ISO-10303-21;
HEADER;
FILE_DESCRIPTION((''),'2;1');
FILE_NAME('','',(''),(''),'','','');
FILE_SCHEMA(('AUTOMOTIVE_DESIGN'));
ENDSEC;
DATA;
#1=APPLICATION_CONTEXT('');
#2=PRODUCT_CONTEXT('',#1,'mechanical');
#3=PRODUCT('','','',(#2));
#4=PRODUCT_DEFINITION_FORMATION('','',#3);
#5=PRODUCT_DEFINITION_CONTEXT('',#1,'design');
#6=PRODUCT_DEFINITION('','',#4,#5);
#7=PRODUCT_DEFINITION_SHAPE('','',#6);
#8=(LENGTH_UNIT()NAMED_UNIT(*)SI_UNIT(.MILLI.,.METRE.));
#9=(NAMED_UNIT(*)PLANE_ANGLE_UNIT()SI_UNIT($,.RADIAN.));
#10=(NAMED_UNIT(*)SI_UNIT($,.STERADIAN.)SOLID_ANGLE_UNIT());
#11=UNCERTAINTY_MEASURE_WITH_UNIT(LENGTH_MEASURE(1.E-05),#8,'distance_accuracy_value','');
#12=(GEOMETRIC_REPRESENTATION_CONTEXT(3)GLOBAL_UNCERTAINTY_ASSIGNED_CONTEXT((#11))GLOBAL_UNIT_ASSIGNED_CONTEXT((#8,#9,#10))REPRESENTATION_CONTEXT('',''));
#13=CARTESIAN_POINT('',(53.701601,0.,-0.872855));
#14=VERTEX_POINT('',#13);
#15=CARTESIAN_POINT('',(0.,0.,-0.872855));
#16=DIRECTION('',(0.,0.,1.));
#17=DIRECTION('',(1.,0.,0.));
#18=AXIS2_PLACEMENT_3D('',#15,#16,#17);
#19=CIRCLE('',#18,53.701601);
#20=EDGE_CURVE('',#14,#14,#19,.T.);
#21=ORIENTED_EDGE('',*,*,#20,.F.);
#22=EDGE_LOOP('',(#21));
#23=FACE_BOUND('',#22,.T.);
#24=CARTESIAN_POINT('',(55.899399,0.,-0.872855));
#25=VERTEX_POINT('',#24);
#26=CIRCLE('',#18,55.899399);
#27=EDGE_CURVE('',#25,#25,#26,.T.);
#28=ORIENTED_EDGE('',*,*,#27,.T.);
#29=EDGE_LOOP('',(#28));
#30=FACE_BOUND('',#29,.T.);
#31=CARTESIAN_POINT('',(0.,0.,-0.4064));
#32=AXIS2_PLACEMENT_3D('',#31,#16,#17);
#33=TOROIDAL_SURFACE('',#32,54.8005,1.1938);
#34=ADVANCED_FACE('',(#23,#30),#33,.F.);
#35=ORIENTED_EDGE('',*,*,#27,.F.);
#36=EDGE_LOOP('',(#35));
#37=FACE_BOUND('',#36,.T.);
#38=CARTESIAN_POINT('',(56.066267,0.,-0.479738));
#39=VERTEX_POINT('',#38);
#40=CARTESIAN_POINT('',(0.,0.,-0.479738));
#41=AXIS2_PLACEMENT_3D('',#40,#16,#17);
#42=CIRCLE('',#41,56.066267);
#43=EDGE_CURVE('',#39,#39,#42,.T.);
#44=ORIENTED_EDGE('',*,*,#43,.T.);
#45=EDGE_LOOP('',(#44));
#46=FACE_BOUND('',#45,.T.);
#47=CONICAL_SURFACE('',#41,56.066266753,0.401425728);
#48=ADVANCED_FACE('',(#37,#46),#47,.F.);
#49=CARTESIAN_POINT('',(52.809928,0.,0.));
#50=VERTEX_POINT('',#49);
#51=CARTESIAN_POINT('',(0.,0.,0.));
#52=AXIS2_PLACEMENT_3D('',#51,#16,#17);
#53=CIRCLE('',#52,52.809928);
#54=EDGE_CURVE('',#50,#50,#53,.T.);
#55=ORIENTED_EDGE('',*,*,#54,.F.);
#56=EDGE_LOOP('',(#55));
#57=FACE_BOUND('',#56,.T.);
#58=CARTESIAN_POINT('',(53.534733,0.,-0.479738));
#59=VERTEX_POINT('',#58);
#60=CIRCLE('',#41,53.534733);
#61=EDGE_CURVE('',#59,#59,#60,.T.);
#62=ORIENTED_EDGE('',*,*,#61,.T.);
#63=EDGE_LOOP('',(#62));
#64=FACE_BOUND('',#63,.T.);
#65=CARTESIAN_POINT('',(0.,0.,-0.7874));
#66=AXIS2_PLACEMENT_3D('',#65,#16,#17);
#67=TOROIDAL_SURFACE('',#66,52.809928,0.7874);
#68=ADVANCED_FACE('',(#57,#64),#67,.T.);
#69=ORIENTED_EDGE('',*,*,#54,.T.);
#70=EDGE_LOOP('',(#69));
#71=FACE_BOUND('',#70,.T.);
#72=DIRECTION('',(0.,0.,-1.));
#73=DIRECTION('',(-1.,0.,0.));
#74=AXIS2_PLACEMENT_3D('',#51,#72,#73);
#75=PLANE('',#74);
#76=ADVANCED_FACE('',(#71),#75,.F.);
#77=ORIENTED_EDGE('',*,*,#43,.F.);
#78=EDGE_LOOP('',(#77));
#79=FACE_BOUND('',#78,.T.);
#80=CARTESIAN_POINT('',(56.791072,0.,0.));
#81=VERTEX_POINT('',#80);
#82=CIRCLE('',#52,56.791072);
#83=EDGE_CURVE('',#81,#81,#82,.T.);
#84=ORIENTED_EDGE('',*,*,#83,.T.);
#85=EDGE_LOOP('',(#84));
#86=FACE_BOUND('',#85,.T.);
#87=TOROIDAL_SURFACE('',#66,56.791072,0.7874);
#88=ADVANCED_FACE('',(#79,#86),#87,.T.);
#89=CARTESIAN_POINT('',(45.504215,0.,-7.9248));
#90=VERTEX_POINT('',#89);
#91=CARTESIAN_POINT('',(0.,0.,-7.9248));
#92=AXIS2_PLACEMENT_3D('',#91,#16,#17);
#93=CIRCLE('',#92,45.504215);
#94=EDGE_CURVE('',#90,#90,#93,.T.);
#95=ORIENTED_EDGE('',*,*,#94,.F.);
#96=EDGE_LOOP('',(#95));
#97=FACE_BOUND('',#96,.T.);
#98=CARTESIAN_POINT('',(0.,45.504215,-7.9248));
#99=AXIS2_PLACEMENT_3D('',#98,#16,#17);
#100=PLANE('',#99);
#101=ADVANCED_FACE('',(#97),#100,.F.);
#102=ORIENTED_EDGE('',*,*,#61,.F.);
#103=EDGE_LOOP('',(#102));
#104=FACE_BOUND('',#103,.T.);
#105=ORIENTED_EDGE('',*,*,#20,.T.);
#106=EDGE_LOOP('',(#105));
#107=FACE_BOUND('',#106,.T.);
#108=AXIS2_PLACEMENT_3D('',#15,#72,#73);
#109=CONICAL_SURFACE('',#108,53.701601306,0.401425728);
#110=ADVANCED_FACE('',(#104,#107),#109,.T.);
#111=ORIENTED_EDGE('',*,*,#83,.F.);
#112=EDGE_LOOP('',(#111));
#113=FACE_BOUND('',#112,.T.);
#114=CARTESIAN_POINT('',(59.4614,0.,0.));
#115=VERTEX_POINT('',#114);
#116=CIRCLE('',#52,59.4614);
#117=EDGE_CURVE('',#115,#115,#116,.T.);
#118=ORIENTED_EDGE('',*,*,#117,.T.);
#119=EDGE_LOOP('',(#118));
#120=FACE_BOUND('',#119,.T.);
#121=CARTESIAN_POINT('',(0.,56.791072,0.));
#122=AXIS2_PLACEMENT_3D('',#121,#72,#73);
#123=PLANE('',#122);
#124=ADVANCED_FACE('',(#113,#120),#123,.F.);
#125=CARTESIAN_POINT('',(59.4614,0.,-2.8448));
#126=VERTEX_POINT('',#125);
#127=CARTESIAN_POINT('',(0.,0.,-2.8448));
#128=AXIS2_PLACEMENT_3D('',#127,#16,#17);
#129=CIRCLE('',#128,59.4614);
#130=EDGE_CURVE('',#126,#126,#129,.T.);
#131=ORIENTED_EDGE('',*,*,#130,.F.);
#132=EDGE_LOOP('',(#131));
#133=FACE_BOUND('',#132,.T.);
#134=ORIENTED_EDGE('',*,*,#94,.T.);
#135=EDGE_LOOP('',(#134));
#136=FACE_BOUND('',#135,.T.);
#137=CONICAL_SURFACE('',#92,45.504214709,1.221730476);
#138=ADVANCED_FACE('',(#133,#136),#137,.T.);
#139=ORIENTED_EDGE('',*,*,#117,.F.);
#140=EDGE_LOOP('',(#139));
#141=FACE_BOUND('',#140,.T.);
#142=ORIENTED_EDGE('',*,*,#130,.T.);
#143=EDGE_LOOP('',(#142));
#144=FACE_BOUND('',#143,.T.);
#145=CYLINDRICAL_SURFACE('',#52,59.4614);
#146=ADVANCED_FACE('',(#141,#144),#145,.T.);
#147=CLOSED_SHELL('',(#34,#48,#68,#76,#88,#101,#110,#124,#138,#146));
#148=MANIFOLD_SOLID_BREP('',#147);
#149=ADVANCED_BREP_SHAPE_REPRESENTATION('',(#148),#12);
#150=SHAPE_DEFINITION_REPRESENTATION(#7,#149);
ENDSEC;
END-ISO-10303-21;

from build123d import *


with BuildPart() as part:
    # Sketch1 → Revolve1 (revolve)
    with BuildSketch(Plane(origin=(0, 0, 0), x_dir=(0, 0, -1), z_dir=(1, 0, 0)), mode=Mode.PRIVATE) as revolve1_sk:
        with BuildLine():
            Line((0, 0), (0, 52.809927725))
            ThreePointArc((0, 52.809927725), (0.130798304, 53.244522907), (0.479738309, 53.534733247))
            Line((0.479738309, 53.534733247), (0.872854821, 53.701601306))
            ThreePointArc((0.872854821, 53.701601306), (1.6002, 54.8005), (0.872854821, 55.899398694))
            Line((0.872854821, 55.899398694), (0.479738309, 56.066266753))
            ThreePointArc((0.479738309, 56.066266753), (0.130798304, 56.356477093), (0, 56.791072275))
            Line((0, 56.791072275), (0, 59.4614))
            Line((0, 59.4614), (2.8448, 59.4614))
            Line((2.8448, 59.4614), (7.9248, 45.504214709))
            Line((7.9248, 45.504214709), (7.9248, 0))
            Line((7.9248, 0), (0, 0))
        make_face()
    revolve(revolve1_sk.sketch.rotate(Axis((0, 0, 0), (0, 0, -1)), 90), axis=Axis((0, 0, 0), (0, 0, -1)))


solid = part.part
